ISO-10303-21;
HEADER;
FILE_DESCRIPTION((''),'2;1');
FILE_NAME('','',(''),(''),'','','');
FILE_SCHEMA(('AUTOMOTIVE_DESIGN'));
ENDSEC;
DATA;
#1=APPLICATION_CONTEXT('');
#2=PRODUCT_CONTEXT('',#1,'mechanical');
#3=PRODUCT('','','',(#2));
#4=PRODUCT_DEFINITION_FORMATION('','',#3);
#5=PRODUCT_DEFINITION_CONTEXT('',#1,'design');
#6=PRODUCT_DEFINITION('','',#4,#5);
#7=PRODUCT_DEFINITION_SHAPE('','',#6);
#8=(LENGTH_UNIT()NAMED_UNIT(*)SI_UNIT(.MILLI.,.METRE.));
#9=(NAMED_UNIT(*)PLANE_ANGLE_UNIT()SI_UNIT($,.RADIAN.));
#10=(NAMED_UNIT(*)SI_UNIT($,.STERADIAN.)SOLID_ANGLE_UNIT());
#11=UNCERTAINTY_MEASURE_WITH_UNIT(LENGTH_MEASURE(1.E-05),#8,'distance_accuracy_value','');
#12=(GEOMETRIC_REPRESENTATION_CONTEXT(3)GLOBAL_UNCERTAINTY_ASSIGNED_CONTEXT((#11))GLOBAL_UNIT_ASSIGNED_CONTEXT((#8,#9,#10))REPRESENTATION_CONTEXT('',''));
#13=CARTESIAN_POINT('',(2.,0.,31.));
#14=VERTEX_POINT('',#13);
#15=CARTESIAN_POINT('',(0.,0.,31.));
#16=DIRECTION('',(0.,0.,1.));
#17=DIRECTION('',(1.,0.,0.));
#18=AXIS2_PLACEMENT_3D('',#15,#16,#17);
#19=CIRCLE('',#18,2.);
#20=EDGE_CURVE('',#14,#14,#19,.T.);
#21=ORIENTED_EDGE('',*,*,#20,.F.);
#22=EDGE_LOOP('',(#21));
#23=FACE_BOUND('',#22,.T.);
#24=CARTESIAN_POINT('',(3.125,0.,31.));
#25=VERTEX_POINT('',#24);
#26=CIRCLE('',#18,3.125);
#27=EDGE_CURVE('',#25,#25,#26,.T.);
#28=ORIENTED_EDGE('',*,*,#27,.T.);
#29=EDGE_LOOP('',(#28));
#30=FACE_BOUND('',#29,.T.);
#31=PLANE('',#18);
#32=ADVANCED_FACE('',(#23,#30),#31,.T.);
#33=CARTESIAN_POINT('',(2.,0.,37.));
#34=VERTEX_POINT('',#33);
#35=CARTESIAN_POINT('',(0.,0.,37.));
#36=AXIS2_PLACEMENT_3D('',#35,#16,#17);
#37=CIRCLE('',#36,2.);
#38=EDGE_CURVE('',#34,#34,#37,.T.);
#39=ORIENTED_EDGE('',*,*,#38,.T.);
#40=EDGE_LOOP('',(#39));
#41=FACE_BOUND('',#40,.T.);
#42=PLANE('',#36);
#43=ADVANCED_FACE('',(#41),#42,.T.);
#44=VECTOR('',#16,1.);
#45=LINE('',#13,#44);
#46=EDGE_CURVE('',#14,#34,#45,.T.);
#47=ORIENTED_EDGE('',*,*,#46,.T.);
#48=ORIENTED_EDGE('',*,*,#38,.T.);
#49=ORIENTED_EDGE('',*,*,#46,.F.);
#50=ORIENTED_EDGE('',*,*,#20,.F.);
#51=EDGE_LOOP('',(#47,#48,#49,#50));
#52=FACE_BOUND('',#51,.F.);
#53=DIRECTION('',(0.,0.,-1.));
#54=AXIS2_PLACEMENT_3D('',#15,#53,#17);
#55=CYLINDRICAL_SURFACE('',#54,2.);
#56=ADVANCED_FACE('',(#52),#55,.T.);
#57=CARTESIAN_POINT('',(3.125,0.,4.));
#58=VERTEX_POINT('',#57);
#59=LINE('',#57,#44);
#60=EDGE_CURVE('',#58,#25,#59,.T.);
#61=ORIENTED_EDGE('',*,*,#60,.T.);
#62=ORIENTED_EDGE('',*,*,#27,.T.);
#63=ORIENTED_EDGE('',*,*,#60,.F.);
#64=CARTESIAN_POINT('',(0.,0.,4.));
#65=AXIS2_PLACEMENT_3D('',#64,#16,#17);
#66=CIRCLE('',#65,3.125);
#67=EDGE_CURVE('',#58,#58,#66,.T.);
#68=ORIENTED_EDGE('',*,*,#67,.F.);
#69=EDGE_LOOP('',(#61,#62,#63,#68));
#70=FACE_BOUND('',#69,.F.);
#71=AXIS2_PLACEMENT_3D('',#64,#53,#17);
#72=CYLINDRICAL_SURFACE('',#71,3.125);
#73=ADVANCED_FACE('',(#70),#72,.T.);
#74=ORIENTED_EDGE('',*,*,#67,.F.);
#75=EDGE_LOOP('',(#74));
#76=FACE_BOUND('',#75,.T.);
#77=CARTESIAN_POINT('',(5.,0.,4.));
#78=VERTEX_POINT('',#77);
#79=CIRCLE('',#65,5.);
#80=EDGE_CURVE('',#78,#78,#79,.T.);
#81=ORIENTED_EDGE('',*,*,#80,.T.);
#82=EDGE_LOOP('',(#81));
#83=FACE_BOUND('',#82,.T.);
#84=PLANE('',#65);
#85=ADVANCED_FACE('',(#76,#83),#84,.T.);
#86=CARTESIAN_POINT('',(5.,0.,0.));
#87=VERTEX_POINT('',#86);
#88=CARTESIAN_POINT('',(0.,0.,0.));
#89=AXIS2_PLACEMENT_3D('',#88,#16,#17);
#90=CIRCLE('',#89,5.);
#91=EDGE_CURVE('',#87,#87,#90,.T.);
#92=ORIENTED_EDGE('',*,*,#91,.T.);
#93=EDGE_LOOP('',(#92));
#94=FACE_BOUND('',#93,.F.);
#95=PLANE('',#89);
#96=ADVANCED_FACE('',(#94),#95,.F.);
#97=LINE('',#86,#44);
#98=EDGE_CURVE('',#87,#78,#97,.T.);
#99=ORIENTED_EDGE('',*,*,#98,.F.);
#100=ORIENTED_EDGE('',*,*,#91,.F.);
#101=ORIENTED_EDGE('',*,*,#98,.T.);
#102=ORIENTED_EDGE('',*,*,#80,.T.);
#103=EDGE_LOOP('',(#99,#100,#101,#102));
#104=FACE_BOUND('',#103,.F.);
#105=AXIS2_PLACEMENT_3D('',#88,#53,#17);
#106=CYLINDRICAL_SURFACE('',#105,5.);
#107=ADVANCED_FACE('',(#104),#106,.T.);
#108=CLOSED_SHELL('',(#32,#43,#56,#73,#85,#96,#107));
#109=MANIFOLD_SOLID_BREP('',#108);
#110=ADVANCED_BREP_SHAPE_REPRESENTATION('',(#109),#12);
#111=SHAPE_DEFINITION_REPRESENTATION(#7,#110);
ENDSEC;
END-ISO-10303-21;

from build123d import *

# Parameters (mm, degrees)
SKETCH1_R           = 5
BOSS_EXTRUDE1_DEPTH = 4
SKETCH2_R           = 3.125
BOSS_EXTRUDE2_DEPTH = 27
SKETCH3_R           = 2
BOSS_EXTRUDE3_DEPTH = 6


with BuildPart() as part:
    # Sketch1 → Boss-Extrude1 (new body)
    with BuildSketch(Plane.XY):
        Circle(SKETCH1_R)
    extrude(amount=BOSS_EXTRUDE1_DEPTH)

    # Sketch2 → Boss-Extrude2 (add)
    with BuildSketch(Plane.XY.offset(4)):
        Circle(SKETCH2_R)
    extrude(amount=BOSS_EXTRUDE2_DEPTH)

    # Sketch3 → Boss-Extrude3 (add)
    with BuildSketch(Plane.XY.offset(31)):
        Circle(SKETCH3_R)
    extrude(amount=BOSS_EXTRUDE3_DEPTH)


solid = part.part
